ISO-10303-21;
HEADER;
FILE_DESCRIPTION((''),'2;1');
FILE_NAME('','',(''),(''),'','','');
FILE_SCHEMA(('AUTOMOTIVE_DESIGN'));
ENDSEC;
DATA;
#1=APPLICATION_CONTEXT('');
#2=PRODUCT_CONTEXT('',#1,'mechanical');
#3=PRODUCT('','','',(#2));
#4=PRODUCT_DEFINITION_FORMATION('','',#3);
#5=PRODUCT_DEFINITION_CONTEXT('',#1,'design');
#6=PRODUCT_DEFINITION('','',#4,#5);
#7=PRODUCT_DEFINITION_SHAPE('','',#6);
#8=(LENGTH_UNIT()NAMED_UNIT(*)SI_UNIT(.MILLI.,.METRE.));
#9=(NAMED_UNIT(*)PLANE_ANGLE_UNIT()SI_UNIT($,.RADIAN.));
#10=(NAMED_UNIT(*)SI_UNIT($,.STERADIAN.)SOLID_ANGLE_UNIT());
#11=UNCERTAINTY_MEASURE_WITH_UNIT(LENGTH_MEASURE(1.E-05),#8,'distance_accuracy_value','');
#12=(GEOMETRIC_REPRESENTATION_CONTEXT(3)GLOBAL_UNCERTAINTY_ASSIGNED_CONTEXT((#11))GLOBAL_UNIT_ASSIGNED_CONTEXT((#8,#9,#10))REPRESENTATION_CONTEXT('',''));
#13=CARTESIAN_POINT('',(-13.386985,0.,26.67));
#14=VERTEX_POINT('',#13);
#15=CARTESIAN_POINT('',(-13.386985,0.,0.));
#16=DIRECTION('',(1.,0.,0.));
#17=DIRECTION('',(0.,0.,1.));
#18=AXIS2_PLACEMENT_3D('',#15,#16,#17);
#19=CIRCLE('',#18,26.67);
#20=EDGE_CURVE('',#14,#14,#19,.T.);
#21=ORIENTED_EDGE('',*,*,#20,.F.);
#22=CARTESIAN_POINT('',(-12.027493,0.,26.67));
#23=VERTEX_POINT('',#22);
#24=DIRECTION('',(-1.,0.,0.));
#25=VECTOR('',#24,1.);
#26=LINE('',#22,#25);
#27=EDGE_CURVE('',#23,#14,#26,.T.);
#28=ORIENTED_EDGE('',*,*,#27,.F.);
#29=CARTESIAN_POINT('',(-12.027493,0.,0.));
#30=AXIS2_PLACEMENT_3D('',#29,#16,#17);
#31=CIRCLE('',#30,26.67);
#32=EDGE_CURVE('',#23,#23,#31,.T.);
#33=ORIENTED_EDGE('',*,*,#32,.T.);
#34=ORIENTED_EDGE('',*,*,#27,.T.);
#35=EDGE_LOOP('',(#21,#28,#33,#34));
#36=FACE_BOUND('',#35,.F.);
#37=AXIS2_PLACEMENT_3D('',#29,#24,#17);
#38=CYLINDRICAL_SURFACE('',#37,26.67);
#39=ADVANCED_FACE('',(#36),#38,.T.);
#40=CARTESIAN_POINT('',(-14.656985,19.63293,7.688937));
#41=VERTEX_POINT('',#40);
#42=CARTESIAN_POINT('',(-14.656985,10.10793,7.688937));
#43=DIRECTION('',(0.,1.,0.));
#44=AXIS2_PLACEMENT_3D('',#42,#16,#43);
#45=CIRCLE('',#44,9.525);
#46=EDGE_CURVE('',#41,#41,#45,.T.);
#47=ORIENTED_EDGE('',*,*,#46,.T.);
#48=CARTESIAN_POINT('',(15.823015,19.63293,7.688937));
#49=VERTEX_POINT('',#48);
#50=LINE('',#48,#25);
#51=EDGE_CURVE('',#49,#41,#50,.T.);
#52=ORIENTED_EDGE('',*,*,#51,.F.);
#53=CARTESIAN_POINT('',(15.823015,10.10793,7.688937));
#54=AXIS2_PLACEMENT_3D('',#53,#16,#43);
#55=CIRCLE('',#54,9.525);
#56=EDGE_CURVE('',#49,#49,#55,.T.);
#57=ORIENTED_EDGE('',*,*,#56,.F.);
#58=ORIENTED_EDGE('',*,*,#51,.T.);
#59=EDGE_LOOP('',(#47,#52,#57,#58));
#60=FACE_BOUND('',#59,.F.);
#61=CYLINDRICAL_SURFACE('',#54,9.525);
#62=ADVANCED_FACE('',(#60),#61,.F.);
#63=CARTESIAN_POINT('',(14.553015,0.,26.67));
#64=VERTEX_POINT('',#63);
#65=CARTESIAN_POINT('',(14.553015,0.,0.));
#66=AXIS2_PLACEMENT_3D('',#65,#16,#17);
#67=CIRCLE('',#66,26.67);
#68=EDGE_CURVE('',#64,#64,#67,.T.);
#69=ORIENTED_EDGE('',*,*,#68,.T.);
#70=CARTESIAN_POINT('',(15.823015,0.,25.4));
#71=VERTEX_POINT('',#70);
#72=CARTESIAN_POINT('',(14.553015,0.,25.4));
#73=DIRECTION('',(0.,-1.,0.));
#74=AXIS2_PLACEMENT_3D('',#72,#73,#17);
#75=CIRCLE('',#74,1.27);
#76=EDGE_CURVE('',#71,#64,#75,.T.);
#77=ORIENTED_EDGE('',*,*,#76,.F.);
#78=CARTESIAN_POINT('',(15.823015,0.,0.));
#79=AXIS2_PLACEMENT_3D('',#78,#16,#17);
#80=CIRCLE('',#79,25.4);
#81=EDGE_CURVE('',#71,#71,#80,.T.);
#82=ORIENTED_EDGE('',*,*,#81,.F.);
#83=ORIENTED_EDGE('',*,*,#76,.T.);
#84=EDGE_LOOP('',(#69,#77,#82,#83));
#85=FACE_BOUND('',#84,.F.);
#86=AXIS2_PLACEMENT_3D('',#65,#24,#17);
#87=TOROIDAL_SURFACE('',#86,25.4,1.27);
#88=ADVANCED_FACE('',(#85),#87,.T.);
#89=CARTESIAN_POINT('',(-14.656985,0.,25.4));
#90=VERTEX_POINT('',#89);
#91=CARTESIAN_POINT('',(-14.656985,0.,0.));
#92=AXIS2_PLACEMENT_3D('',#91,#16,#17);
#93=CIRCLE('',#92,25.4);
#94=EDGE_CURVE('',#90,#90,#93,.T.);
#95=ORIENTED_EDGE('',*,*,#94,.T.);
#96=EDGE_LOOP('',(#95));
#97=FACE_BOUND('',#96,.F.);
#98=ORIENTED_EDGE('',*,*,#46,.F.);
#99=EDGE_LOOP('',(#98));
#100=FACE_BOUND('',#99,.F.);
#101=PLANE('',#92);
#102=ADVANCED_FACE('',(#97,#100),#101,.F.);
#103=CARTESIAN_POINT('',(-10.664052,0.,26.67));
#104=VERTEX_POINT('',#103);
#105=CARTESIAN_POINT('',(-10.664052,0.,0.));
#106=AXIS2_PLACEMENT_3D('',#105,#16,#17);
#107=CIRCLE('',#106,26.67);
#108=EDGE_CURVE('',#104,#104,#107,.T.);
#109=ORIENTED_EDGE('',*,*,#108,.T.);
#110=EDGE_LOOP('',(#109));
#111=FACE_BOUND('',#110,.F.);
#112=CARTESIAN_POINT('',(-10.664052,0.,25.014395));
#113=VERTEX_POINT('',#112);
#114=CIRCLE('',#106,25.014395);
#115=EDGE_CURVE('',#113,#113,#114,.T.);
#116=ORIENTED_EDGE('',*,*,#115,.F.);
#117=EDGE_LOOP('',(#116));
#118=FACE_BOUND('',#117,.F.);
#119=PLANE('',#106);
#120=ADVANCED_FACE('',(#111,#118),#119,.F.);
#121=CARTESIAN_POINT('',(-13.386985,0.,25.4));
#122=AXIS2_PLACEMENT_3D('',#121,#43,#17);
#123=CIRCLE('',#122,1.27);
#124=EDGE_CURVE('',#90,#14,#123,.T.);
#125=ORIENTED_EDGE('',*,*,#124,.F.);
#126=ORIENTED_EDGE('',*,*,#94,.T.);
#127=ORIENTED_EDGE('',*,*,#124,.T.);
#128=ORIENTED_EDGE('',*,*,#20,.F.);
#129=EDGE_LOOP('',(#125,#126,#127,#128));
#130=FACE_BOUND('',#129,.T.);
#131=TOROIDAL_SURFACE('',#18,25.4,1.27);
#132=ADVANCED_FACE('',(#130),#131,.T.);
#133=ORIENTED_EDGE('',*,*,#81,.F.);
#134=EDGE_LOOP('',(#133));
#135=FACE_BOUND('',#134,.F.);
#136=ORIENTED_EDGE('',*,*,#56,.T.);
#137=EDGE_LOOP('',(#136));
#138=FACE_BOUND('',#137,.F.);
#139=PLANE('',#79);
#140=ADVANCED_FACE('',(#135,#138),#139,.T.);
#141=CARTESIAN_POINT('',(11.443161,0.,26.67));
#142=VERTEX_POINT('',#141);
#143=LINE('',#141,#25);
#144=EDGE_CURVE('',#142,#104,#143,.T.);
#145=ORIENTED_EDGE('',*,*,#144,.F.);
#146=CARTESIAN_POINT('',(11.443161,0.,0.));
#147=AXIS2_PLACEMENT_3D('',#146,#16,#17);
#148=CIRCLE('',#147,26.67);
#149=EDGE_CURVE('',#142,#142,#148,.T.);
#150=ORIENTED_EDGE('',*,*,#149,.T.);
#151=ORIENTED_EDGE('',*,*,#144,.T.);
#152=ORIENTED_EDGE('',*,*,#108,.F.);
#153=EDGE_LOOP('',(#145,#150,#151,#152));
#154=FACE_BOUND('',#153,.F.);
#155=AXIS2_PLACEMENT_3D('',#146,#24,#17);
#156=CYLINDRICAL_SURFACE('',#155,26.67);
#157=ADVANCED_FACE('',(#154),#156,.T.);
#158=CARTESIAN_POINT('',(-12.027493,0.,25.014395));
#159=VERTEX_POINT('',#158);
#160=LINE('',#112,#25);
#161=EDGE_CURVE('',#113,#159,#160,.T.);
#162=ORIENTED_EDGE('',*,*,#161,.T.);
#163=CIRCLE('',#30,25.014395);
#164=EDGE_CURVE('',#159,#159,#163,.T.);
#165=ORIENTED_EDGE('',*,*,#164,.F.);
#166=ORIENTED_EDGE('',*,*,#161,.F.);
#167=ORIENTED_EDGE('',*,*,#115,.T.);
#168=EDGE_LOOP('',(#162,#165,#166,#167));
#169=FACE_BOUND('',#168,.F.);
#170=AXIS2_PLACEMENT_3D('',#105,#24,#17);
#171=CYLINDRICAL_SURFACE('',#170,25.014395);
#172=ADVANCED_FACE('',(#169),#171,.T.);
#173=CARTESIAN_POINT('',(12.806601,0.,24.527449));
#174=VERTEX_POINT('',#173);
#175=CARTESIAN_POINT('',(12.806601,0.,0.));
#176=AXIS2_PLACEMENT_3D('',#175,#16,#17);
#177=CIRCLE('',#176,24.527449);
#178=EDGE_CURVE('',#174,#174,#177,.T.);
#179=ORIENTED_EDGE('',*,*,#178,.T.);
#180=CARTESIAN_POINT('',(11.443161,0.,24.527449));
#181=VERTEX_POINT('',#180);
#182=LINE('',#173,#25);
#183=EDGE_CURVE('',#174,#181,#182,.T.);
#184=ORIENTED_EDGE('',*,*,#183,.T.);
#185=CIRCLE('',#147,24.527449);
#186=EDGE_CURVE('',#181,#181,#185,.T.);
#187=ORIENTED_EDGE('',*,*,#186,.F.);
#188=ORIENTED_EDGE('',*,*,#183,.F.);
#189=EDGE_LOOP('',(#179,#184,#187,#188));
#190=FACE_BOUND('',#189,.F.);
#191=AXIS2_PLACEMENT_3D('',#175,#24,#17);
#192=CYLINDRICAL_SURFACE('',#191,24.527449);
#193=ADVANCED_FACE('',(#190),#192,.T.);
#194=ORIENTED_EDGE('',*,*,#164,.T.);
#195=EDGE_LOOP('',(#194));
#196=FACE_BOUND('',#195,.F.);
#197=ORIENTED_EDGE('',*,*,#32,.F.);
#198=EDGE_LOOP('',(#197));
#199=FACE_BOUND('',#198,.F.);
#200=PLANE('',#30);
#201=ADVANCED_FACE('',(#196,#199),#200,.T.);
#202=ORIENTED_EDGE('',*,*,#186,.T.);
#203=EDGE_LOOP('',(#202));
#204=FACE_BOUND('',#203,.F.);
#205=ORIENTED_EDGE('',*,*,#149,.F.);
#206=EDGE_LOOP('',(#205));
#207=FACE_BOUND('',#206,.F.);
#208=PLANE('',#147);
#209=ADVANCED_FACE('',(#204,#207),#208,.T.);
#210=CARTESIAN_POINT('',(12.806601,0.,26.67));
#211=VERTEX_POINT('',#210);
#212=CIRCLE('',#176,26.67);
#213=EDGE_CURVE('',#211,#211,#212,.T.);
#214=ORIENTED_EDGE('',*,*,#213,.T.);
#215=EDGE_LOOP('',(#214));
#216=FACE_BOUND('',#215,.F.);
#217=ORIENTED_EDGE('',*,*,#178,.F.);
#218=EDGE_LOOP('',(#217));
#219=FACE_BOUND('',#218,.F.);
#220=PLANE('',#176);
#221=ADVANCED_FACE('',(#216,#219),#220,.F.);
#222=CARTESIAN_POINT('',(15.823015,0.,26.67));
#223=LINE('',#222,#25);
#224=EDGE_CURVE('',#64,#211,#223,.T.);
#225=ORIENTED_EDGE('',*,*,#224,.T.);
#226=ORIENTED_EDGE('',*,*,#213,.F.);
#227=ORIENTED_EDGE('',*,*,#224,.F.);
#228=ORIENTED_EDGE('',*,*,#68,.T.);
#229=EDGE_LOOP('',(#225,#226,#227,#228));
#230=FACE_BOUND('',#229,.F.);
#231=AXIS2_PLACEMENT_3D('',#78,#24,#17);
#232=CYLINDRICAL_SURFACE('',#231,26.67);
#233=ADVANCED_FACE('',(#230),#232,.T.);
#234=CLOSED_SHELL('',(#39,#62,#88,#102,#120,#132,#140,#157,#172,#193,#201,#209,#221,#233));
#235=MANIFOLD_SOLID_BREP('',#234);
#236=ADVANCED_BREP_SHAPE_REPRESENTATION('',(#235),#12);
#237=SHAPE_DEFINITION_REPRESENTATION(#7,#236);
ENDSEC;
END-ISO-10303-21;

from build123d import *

# Parameters (mm, degrees)
F2_R     = 1.27
F3_R     = 9.525
F4_DEPTH = 30.481


with BuildPart() as f1:
    # F0 (on Front) → F1 (revolve)
    with BuildSketch(Plane.XZ):
        Polygon((-14.656985, 26.67), (-14.656985, 0), (15.823015, 0), (15.823015, 26.67), (12.806601, 26.67), (12.806601, 24.527449), (11.443161, 24.527449), (11.443161, 26.67), (-10.664052, 26.67), (-10.664052, 25.014395), (-12.027493, 25.014395), (-12.027493, 26.67), align=None)
    revolve(axis=Axis((0.34086, 0, 0), (1, 0, 0)))

    # F2
    f2_edges = [f1.edges().sort_by_distance(p)[0] for p in [
        (-14.656985, 0, -26.67),
        (15.823015, 0, -26.67),
    ]]
    fillet(f2_edges, radius=F2_R)

    # F3 (on face) → F4 (cut, through all)
    with BuildSketch(Plane.YZ.offset(15.823015)):
        with Locations((10.10793, 7.688937)):
            Circle(F3_R)
    extrude(amount=-F4_DEPTH, mode=Mode.SUBTRACT)


solid = f1.part
